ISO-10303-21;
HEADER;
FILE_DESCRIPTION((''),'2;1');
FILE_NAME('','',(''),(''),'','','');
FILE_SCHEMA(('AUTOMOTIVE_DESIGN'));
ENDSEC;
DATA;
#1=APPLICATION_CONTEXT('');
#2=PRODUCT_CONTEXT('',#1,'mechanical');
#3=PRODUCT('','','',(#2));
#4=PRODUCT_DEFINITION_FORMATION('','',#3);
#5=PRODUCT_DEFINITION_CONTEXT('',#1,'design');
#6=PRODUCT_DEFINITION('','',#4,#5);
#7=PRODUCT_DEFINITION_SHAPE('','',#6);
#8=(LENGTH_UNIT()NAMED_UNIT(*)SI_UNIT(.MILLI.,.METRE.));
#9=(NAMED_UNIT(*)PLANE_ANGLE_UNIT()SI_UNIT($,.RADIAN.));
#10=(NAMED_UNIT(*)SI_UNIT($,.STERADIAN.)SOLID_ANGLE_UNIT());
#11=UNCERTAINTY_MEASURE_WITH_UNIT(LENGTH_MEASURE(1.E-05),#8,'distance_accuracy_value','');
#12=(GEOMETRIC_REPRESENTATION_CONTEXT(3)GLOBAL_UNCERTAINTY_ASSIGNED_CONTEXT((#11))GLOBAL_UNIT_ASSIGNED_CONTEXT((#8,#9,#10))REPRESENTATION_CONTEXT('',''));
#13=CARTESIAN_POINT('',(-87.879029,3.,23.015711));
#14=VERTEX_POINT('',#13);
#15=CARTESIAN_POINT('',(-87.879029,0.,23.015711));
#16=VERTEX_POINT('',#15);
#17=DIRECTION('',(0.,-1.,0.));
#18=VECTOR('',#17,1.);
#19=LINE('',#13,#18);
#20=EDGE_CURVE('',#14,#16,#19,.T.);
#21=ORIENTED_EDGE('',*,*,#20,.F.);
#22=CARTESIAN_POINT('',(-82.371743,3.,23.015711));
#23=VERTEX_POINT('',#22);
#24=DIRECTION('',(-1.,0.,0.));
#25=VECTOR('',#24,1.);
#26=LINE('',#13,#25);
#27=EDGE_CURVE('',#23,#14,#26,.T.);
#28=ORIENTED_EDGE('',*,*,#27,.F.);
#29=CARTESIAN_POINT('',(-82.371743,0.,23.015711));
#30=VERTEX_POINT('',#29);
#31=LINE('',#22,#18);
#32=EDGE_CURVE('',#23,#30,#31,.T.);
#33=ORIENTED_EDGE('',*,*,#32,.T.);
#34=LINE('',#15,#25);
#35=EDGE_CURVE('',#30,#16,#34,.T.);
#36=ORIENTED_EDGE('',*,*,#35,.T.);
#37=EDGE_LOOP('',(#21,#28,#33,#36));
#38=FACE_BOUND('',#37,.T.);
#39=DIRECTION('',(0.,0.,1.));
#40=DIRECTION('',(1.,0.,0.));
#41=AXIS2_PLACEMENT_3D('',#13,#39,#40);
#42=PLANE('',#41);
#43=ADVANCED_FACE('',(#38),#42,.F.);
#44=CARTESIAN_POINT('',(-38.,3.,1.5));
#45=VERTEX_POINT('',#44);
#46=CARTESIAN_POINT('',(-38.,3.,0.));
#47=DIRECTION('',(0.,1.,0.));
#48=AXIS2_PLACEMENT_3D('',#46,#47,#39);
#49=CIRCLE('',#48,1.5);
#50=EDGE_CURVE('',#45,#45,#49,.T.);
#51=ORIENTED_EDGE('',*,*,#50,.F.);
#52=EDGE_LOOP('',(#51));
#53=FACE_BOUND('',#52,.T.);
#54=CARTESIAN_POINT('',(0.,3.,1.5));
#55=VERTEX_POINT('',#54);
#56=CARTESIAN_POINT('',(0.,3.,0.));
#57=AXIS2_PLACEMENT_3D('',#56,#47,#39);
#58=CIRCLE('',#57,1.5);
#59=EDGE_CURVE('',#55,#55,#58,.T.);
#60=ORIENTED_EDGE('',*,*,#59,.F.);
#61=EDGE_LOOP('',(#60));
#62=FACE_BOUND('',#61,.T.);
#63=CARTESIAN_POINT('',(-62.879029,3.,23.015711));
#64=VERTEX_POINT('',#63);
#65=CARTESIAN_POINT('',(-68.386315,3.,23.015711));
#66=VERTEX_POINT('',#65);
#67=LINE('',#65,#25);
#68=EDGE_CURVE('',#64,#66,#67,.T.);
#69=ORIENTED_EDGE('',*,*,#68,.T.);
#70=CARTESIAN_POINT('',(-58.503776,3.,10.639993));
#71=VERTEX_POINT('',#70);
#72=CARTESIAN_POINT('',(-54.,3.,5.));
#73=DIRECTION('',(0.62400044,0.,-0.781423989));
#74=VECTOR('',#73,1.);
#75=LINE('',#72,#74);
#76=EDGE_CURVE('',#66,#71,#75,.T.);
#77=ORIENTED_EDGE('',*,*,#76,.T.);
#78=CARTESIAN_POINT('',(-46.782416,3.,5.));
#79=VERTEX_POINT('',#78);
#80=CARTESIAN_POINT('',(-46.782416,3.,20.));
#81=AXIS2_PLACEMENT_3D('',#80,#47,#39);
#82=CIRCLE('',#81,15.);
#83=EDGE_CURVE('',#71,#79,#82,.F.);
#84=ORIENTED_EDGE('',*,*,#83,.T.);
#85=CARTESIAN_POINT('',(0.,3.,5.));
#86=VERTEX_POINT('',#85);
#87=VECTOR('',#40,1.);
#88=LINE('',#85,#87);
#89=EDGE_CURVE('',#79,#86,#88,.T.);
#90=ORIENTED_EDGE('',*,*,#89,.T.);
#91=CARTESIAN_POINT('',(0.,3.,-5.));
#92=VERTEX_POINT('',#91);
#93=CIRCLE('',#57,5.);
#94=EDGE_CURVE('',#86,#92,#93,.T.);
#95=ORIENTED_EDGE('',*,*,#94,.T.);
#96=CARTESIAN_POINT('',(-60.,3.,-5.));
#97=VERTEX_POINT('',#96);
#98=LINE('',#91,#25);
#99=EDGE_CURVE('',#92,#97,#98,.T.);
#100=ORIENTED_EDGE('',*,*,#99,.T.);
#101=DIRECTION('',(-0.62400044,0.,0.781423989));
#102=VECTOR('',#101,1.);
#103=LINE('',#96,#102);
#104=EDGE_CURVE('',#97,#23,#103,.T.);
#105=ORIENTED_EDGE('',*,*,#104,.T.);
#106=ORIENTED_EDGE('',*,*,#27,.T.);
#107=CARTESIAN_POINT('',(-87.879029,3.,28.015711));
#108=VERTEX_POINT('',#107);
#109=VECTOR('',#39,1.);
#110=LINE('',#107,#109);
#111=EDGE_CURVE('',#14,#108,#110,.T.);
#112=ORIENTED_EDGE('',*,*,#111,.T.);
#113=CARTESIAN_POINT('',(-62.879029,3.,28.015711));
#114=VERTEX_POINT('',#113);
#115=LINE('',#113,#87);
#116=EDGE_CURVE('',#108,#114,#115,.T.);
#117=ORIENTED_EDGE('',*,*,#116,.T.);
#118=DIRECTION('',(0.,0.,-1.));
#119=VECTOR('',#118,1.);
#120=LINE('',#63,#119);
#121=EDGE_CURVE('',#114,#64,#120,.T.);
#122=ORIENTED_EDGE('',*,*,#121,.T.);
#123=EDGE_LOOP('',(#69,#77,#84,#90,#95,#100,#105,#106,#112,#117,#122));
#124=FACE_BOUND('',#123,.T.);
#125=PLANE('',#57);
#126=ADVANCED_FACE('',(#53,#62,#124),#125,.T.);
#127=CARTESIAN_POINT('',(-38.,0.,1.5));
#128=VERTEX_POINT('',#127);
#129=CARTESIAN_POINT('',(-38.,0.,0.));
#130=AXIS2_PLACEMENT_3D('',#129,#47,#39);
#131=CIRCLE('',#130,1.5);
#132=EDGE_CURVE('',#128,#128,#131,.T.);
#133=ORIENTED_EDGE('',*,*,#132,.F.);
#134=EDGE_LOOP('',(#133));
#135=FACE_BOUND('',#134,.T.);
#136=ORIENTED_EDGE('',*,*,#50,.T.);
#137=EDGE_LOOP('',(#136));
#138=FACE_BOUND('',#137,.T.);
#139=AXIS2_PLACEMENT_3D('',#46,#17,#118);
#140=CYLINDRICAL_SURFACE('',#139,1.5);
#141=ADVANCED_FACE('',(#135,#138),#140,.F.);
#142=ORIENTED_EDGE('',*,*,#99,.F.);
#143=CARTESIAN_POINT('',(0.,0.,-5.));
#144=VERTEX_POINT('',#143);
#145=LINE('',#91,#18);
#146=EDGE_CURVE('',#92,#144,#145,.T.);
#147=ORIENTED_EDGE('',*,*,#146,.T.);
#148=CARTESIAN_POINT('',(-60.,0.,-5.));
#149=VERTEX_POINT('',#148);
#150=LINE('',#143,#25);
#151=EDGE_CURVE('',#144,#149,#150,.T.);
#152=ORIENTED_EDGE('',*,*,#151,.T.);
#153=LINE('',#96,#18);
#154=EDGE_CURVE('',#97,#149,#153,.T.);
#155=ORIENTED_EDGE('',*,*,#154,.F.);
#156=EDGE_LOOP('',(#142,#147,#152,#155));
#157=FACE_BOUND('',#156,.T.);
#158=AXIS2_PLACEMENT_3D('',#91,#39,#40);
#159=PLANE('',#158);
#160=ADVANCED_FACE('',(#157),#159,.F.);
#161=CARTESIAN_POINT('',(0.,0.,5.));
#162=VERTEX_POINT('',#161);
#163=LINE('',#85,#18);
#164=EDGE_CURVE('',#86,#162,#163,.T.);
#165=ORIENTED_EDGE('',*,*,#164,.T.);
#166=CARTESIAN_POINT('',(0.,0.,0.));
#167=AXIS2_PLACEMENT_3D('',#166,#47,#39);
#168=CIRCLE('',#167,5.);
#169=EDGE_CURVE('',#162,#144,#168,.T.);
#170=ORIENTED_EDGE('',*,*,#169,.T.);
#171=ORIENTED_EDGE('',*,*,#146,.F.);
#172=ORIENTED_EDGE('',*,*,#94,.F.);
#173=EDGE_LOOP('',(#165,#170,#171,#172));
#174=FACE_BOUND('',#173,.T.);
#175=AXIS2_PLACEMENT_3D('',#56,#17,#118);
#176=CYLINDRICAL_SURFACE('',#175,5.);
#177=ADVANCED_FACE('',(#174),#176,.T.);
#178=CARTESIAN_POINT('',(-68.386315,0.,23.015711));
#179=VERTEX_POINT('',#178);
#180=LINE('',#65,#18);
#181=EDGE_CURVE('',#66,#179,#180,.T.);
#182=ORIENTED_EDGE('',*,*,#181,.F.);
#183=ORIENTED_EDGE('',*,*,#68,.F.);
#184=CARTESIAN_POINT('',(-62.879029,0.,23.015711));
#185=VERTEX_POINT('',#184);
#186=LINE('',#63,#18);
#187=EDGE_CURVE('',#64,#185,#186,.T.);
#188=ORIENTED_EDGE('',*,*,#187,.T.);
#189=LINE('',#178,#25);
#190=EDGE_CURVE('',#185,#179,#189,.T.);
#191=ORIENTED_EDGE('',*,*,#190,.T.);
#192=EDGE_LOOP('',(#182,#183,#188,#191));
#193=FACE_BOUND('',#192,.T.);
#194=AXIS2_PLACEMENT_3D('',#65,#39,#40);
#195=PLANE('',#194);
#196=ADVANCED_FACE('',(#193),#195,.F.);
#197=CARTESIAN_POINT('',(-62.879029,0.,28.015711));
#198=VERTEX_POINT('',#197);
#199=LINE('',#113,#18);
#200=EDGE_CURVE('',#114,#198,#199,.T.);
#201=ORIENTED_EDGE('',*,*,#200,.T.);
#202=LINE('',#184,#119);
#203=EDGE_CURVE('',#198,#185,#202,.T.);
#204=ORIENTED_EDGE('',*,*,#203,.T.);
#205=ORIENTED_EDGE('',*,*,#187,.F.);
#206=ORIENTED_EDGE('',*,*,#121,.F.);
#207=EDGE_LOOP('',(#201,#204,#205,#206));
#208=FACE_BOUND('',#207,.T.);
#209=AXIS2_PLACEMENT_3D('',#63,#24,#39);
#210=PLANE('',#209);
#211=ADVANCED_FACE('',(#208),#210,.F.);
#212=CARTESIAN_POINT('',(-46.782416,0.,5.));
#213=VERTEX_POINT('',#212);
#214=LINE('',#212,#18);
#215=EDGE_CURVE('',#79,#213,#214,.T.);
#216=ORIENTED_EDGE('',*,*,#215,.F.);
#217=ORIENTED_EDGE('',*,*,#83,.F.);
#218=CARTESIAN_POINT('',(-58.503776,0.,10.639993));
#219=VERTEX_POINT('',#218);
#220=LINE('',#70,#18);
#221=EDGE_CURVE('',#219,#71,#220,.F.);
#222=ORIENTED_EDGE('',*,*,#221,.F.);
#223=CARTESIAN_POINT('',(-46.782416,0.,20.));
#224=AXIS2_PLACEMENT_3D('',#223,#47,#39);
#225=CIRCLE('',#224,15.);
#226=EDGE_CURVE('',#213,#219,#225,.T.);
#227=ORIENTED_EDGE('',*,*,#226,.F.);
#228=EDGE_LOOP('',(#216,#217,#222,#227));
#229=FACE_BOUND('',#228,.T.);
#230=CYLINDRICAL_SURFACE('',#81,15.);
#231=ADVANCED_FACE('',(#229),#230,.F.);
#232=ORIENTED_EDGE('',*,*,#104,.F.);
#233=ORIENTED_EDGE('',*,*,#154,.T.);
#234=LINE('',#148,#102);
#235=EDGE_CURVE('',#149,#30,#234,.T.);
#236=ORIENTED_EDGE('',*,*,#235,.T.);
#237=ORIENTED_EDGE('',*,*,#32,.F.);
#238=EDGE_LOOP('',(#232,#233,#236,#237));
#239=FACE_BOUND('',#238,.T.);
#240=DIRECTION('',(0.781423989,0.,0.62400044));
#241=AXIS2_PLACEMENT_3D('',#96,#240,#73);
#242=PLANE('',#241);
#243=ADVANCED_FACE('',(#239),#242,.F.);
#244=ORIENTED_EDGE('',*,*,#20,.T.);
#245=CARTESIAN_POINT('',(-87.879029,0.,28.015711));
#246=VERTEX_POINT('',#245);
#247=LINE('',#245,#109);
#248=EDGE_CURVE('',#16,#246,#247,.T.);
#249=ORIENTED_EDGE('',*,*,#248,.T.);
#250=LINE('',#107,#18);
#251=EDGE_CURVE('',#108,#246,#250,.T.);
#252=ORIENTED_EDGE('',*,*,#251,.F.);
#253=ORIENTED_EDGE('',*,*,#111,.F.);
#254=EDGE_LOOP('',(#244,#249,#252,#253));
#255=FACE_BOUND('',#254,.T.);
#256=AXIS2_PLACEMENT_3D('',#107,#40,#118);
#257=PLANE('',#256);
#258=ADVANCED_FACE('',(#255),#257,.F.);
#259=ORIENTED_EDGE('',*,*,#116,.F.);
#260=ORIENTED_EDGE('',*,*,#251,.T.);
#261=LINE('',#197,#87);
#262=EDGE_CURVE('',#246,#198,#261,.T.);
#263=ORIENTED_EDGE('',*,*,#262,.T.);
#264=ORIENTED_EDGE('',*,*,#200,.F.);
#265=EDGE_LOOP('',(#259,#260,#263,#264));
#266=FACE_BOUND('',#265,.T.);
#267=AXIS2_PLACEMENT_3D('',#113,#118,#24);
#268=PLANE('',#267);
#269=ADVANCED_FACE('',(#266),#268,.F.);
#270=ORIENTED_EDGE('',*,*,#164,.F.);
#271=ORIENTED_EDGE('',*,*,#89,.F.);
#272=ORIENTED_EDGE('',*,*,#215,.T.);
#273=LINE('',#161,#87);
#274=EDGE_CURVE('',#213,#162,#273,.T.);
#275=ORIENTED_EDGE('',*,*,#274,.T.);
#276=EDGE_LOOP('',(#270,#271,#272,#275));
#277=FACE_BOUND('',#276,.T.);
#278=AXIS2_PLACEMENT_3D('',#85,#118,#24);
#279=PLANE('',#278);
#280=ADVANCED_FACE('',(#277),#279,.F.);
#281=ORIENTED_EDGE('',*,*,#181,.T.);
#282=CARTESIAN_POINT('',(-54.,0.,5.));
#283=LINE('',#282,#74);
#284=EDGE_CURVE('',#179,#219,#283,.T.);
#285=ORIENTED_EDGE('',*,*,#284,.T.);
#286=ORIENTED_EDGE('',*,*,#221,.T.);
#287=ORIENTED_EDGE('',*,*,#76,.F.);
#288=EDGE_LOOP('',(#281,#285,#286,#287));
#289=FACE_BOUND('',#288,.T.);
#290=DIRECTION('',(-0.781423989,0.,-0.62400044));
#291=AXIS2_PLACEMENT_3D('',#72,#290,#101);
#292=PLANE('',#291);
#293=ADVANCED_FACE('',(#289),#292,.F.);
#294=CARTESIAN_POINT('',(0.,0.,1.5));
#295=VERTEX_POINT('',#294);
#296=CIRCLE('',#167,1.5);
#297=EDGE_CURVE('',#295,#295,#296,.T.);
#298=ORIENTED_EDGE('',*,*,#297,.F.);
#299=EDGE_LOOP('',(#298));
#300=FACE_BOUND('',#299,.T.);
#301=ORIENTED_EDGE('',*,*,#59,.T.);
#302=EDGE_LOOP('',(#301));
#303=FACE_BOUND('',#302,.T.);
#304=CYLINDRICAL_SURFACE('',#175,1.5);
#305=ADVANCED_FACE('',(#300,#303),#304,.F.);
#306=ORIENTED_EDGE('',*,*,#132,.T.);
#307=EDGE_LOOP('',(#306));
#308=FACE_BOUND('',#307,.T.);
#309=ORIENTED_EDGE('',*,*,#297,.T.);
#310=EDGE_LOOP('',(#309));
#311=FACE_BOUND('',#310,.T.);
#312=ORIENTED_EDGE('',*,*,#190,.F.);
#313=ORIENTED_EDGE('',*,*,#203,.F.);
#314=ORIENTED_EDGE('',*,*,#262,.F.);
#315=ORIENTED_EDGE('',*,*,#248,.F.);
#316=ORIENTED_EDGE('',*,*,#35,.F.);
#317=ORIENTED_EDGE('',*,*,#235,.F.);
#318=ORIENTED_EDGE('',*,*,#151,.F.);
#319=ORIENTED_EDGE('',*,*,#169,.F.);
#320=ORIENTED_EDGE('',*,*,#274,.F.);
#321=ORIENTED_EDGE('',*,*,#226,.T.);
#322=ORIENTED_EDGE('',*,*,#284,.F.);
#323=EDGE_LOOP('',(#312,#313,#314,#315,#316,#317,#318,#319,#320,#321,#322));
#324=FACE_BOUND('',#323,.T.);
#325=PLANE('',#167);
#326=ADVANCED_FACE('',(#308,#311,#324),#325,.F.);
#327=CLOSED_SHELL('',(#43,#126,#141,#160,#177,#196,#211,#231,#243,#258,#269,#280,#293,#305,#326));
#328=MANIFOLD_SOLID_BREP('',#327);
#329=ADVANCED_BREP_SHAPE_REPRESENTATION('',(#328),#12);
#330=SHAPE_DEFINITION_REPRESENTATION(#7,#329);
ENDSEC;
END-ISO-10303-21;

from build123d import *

# Parameters (mm, degrees)
SKETCH_1_R      = 1.5
EXTRUDE_1_DEPTH = 3
FILLET_5_R      = 15


with BuildPart() as part:
    # 草图1 → 凸台-拉伸1 (new body)
    with BuildSketch(Plane(origin=(0, 0, 0), x_dir=(1, 0, 0), z_dir=(0, 1, 0))):
        with BuildLine():
            Line((0, 5), (-60, 5))
            Line((-60, 5), (-82.371742522, -23.015711498))
            Line((-82.371742522, -23.015711498), (-87.879028911, -23.015711498))
            Line((-87.879028911, -23.015711498), (-87.879028911, -28.015711498))
            Line((-87.879028911, -28.015711498), (-62.879028911, -28.015711498))
            Line((-62.879028911, -28.015711498), (-62.879028911, -23.015711498))
            Line((-62.879028911, -23.015711498), (-68.3863153, -23.015711498))
            Line((-68.3863153, -23.015711498), (-54, -5))
            Line((-54, -5), (0, -5))
            ThreePointArc((0, -5), (5, 0), (0, 5))
        make_face()
        with Locations(Location((0, 0, 0), (0, 0, 270))):
            Circle(SKETCH_1_R, mode=Mode.SUBTRACT)
        with Locations(Location((-38, 0, 0), (0, 0, 270))):
            Circle(SKETCH_1_R, mode=Mode.SUBTRACT)
    extrude(amount=EXTRUDE_1_DEPTH)

    # 圆角5
    fillet_5_edges = [part.edges().sort_by_distance(p)[0] for p in [
        (-54, 1.5, 5),
    ]]
    fillet(fillet_5_edges, radius=FILLET_5_R)


solid = part.part
